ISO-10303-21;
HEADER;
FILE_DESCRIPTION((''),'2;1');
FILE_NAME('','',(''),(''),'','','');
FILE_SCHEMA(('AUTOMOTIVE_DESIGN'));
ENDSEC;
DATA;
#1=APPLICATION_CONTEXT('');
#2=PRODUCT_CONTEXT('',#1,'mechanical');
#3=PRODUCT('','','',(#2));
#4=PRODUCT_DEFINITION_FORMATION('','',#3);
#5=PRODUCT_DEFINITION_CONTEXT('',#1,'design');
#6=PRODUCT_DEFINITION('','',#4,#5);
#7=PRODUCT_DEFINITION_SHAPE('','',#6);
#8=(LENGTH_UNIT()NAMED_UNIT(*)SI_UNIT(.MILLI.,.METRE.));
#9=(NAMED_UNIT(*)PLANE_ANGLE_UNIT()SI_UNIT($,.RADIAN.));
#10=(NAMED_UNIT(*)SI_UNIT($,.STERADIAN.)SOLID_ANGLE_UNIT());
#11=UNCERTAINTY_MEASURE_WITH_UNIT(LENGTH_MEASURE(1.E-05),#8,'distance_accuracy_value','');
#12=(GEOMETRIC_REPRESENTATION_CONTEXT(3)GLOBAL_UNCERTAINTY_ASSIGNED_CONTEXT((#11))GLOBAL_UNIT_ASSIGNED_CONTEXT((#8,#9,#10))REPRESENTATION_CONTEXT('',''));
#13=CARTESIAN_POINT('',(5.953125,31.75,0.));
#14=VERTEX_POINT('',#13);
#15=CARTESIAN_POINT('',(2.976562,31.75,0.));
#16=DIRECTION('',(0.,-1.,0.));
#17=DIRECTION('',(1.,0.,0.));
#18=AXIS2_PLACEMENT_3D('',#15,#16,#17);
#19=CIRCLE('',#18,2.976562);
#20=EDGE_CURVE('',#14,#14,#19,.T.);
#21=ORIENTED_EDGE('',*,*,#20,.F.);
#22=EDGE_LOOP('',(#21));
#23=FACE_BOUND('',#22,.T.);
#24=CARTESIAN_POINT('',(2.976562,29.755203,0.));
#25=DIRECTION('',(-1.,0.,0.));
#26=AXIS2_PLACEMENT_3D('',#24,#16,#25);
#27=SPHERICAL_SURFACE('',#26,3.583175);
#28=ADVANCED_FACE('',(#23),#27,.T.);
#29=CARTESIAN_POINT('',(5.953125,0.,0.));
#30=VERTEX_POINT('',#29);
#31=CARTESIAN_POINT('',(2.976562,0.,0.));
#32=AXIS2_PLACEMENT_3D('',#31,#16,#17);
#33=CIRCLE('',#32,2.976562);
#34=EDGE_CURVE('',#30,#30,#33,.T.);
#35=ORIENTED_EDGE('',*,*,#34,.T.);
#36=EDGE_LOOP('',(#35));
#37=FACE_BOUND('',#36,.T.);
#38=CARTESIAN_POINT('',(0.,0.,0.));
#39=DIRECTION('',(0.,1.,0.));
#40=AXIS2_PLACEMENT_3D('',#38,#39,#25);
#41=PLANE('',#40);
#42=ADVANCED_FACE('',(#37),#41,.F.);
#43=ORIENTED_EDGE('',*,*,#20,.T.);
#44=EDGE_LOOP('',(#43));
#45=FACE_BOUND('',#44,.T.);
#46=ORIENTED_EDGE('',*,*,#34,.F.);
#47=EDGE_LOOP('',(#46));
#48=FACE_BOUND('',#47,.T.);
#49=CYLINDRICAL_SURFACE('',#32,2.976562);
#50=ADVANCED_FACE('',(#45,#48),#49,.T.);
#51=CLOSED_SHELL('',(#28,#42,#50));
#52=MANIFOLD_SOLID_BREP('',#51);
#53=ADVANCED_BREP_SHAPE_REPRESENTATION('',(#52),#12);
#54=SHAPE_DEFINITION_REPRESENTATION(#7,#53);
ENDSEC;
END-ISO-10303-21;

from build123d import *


with BuildPart() as part:
    # Sketch1 → Revolve1 (revolve)
    with BuildSketch(Plane.XY):
        with BuildLine():
            Line((0, 0), (2.9765625, 0))
            Line((2.9765625, 0), (2.9765625, 33.338377373))
            ThreePointArc((2.9765625, 33.338377373), (1.289637265, 32.916440424), (0, 31.75))
            Line((0, 31.75), (0, 0))
        make_face()
    revolve(axis=Axis((2.9765625, 0, 0), (0, 1, 0)))


solid = part.part
